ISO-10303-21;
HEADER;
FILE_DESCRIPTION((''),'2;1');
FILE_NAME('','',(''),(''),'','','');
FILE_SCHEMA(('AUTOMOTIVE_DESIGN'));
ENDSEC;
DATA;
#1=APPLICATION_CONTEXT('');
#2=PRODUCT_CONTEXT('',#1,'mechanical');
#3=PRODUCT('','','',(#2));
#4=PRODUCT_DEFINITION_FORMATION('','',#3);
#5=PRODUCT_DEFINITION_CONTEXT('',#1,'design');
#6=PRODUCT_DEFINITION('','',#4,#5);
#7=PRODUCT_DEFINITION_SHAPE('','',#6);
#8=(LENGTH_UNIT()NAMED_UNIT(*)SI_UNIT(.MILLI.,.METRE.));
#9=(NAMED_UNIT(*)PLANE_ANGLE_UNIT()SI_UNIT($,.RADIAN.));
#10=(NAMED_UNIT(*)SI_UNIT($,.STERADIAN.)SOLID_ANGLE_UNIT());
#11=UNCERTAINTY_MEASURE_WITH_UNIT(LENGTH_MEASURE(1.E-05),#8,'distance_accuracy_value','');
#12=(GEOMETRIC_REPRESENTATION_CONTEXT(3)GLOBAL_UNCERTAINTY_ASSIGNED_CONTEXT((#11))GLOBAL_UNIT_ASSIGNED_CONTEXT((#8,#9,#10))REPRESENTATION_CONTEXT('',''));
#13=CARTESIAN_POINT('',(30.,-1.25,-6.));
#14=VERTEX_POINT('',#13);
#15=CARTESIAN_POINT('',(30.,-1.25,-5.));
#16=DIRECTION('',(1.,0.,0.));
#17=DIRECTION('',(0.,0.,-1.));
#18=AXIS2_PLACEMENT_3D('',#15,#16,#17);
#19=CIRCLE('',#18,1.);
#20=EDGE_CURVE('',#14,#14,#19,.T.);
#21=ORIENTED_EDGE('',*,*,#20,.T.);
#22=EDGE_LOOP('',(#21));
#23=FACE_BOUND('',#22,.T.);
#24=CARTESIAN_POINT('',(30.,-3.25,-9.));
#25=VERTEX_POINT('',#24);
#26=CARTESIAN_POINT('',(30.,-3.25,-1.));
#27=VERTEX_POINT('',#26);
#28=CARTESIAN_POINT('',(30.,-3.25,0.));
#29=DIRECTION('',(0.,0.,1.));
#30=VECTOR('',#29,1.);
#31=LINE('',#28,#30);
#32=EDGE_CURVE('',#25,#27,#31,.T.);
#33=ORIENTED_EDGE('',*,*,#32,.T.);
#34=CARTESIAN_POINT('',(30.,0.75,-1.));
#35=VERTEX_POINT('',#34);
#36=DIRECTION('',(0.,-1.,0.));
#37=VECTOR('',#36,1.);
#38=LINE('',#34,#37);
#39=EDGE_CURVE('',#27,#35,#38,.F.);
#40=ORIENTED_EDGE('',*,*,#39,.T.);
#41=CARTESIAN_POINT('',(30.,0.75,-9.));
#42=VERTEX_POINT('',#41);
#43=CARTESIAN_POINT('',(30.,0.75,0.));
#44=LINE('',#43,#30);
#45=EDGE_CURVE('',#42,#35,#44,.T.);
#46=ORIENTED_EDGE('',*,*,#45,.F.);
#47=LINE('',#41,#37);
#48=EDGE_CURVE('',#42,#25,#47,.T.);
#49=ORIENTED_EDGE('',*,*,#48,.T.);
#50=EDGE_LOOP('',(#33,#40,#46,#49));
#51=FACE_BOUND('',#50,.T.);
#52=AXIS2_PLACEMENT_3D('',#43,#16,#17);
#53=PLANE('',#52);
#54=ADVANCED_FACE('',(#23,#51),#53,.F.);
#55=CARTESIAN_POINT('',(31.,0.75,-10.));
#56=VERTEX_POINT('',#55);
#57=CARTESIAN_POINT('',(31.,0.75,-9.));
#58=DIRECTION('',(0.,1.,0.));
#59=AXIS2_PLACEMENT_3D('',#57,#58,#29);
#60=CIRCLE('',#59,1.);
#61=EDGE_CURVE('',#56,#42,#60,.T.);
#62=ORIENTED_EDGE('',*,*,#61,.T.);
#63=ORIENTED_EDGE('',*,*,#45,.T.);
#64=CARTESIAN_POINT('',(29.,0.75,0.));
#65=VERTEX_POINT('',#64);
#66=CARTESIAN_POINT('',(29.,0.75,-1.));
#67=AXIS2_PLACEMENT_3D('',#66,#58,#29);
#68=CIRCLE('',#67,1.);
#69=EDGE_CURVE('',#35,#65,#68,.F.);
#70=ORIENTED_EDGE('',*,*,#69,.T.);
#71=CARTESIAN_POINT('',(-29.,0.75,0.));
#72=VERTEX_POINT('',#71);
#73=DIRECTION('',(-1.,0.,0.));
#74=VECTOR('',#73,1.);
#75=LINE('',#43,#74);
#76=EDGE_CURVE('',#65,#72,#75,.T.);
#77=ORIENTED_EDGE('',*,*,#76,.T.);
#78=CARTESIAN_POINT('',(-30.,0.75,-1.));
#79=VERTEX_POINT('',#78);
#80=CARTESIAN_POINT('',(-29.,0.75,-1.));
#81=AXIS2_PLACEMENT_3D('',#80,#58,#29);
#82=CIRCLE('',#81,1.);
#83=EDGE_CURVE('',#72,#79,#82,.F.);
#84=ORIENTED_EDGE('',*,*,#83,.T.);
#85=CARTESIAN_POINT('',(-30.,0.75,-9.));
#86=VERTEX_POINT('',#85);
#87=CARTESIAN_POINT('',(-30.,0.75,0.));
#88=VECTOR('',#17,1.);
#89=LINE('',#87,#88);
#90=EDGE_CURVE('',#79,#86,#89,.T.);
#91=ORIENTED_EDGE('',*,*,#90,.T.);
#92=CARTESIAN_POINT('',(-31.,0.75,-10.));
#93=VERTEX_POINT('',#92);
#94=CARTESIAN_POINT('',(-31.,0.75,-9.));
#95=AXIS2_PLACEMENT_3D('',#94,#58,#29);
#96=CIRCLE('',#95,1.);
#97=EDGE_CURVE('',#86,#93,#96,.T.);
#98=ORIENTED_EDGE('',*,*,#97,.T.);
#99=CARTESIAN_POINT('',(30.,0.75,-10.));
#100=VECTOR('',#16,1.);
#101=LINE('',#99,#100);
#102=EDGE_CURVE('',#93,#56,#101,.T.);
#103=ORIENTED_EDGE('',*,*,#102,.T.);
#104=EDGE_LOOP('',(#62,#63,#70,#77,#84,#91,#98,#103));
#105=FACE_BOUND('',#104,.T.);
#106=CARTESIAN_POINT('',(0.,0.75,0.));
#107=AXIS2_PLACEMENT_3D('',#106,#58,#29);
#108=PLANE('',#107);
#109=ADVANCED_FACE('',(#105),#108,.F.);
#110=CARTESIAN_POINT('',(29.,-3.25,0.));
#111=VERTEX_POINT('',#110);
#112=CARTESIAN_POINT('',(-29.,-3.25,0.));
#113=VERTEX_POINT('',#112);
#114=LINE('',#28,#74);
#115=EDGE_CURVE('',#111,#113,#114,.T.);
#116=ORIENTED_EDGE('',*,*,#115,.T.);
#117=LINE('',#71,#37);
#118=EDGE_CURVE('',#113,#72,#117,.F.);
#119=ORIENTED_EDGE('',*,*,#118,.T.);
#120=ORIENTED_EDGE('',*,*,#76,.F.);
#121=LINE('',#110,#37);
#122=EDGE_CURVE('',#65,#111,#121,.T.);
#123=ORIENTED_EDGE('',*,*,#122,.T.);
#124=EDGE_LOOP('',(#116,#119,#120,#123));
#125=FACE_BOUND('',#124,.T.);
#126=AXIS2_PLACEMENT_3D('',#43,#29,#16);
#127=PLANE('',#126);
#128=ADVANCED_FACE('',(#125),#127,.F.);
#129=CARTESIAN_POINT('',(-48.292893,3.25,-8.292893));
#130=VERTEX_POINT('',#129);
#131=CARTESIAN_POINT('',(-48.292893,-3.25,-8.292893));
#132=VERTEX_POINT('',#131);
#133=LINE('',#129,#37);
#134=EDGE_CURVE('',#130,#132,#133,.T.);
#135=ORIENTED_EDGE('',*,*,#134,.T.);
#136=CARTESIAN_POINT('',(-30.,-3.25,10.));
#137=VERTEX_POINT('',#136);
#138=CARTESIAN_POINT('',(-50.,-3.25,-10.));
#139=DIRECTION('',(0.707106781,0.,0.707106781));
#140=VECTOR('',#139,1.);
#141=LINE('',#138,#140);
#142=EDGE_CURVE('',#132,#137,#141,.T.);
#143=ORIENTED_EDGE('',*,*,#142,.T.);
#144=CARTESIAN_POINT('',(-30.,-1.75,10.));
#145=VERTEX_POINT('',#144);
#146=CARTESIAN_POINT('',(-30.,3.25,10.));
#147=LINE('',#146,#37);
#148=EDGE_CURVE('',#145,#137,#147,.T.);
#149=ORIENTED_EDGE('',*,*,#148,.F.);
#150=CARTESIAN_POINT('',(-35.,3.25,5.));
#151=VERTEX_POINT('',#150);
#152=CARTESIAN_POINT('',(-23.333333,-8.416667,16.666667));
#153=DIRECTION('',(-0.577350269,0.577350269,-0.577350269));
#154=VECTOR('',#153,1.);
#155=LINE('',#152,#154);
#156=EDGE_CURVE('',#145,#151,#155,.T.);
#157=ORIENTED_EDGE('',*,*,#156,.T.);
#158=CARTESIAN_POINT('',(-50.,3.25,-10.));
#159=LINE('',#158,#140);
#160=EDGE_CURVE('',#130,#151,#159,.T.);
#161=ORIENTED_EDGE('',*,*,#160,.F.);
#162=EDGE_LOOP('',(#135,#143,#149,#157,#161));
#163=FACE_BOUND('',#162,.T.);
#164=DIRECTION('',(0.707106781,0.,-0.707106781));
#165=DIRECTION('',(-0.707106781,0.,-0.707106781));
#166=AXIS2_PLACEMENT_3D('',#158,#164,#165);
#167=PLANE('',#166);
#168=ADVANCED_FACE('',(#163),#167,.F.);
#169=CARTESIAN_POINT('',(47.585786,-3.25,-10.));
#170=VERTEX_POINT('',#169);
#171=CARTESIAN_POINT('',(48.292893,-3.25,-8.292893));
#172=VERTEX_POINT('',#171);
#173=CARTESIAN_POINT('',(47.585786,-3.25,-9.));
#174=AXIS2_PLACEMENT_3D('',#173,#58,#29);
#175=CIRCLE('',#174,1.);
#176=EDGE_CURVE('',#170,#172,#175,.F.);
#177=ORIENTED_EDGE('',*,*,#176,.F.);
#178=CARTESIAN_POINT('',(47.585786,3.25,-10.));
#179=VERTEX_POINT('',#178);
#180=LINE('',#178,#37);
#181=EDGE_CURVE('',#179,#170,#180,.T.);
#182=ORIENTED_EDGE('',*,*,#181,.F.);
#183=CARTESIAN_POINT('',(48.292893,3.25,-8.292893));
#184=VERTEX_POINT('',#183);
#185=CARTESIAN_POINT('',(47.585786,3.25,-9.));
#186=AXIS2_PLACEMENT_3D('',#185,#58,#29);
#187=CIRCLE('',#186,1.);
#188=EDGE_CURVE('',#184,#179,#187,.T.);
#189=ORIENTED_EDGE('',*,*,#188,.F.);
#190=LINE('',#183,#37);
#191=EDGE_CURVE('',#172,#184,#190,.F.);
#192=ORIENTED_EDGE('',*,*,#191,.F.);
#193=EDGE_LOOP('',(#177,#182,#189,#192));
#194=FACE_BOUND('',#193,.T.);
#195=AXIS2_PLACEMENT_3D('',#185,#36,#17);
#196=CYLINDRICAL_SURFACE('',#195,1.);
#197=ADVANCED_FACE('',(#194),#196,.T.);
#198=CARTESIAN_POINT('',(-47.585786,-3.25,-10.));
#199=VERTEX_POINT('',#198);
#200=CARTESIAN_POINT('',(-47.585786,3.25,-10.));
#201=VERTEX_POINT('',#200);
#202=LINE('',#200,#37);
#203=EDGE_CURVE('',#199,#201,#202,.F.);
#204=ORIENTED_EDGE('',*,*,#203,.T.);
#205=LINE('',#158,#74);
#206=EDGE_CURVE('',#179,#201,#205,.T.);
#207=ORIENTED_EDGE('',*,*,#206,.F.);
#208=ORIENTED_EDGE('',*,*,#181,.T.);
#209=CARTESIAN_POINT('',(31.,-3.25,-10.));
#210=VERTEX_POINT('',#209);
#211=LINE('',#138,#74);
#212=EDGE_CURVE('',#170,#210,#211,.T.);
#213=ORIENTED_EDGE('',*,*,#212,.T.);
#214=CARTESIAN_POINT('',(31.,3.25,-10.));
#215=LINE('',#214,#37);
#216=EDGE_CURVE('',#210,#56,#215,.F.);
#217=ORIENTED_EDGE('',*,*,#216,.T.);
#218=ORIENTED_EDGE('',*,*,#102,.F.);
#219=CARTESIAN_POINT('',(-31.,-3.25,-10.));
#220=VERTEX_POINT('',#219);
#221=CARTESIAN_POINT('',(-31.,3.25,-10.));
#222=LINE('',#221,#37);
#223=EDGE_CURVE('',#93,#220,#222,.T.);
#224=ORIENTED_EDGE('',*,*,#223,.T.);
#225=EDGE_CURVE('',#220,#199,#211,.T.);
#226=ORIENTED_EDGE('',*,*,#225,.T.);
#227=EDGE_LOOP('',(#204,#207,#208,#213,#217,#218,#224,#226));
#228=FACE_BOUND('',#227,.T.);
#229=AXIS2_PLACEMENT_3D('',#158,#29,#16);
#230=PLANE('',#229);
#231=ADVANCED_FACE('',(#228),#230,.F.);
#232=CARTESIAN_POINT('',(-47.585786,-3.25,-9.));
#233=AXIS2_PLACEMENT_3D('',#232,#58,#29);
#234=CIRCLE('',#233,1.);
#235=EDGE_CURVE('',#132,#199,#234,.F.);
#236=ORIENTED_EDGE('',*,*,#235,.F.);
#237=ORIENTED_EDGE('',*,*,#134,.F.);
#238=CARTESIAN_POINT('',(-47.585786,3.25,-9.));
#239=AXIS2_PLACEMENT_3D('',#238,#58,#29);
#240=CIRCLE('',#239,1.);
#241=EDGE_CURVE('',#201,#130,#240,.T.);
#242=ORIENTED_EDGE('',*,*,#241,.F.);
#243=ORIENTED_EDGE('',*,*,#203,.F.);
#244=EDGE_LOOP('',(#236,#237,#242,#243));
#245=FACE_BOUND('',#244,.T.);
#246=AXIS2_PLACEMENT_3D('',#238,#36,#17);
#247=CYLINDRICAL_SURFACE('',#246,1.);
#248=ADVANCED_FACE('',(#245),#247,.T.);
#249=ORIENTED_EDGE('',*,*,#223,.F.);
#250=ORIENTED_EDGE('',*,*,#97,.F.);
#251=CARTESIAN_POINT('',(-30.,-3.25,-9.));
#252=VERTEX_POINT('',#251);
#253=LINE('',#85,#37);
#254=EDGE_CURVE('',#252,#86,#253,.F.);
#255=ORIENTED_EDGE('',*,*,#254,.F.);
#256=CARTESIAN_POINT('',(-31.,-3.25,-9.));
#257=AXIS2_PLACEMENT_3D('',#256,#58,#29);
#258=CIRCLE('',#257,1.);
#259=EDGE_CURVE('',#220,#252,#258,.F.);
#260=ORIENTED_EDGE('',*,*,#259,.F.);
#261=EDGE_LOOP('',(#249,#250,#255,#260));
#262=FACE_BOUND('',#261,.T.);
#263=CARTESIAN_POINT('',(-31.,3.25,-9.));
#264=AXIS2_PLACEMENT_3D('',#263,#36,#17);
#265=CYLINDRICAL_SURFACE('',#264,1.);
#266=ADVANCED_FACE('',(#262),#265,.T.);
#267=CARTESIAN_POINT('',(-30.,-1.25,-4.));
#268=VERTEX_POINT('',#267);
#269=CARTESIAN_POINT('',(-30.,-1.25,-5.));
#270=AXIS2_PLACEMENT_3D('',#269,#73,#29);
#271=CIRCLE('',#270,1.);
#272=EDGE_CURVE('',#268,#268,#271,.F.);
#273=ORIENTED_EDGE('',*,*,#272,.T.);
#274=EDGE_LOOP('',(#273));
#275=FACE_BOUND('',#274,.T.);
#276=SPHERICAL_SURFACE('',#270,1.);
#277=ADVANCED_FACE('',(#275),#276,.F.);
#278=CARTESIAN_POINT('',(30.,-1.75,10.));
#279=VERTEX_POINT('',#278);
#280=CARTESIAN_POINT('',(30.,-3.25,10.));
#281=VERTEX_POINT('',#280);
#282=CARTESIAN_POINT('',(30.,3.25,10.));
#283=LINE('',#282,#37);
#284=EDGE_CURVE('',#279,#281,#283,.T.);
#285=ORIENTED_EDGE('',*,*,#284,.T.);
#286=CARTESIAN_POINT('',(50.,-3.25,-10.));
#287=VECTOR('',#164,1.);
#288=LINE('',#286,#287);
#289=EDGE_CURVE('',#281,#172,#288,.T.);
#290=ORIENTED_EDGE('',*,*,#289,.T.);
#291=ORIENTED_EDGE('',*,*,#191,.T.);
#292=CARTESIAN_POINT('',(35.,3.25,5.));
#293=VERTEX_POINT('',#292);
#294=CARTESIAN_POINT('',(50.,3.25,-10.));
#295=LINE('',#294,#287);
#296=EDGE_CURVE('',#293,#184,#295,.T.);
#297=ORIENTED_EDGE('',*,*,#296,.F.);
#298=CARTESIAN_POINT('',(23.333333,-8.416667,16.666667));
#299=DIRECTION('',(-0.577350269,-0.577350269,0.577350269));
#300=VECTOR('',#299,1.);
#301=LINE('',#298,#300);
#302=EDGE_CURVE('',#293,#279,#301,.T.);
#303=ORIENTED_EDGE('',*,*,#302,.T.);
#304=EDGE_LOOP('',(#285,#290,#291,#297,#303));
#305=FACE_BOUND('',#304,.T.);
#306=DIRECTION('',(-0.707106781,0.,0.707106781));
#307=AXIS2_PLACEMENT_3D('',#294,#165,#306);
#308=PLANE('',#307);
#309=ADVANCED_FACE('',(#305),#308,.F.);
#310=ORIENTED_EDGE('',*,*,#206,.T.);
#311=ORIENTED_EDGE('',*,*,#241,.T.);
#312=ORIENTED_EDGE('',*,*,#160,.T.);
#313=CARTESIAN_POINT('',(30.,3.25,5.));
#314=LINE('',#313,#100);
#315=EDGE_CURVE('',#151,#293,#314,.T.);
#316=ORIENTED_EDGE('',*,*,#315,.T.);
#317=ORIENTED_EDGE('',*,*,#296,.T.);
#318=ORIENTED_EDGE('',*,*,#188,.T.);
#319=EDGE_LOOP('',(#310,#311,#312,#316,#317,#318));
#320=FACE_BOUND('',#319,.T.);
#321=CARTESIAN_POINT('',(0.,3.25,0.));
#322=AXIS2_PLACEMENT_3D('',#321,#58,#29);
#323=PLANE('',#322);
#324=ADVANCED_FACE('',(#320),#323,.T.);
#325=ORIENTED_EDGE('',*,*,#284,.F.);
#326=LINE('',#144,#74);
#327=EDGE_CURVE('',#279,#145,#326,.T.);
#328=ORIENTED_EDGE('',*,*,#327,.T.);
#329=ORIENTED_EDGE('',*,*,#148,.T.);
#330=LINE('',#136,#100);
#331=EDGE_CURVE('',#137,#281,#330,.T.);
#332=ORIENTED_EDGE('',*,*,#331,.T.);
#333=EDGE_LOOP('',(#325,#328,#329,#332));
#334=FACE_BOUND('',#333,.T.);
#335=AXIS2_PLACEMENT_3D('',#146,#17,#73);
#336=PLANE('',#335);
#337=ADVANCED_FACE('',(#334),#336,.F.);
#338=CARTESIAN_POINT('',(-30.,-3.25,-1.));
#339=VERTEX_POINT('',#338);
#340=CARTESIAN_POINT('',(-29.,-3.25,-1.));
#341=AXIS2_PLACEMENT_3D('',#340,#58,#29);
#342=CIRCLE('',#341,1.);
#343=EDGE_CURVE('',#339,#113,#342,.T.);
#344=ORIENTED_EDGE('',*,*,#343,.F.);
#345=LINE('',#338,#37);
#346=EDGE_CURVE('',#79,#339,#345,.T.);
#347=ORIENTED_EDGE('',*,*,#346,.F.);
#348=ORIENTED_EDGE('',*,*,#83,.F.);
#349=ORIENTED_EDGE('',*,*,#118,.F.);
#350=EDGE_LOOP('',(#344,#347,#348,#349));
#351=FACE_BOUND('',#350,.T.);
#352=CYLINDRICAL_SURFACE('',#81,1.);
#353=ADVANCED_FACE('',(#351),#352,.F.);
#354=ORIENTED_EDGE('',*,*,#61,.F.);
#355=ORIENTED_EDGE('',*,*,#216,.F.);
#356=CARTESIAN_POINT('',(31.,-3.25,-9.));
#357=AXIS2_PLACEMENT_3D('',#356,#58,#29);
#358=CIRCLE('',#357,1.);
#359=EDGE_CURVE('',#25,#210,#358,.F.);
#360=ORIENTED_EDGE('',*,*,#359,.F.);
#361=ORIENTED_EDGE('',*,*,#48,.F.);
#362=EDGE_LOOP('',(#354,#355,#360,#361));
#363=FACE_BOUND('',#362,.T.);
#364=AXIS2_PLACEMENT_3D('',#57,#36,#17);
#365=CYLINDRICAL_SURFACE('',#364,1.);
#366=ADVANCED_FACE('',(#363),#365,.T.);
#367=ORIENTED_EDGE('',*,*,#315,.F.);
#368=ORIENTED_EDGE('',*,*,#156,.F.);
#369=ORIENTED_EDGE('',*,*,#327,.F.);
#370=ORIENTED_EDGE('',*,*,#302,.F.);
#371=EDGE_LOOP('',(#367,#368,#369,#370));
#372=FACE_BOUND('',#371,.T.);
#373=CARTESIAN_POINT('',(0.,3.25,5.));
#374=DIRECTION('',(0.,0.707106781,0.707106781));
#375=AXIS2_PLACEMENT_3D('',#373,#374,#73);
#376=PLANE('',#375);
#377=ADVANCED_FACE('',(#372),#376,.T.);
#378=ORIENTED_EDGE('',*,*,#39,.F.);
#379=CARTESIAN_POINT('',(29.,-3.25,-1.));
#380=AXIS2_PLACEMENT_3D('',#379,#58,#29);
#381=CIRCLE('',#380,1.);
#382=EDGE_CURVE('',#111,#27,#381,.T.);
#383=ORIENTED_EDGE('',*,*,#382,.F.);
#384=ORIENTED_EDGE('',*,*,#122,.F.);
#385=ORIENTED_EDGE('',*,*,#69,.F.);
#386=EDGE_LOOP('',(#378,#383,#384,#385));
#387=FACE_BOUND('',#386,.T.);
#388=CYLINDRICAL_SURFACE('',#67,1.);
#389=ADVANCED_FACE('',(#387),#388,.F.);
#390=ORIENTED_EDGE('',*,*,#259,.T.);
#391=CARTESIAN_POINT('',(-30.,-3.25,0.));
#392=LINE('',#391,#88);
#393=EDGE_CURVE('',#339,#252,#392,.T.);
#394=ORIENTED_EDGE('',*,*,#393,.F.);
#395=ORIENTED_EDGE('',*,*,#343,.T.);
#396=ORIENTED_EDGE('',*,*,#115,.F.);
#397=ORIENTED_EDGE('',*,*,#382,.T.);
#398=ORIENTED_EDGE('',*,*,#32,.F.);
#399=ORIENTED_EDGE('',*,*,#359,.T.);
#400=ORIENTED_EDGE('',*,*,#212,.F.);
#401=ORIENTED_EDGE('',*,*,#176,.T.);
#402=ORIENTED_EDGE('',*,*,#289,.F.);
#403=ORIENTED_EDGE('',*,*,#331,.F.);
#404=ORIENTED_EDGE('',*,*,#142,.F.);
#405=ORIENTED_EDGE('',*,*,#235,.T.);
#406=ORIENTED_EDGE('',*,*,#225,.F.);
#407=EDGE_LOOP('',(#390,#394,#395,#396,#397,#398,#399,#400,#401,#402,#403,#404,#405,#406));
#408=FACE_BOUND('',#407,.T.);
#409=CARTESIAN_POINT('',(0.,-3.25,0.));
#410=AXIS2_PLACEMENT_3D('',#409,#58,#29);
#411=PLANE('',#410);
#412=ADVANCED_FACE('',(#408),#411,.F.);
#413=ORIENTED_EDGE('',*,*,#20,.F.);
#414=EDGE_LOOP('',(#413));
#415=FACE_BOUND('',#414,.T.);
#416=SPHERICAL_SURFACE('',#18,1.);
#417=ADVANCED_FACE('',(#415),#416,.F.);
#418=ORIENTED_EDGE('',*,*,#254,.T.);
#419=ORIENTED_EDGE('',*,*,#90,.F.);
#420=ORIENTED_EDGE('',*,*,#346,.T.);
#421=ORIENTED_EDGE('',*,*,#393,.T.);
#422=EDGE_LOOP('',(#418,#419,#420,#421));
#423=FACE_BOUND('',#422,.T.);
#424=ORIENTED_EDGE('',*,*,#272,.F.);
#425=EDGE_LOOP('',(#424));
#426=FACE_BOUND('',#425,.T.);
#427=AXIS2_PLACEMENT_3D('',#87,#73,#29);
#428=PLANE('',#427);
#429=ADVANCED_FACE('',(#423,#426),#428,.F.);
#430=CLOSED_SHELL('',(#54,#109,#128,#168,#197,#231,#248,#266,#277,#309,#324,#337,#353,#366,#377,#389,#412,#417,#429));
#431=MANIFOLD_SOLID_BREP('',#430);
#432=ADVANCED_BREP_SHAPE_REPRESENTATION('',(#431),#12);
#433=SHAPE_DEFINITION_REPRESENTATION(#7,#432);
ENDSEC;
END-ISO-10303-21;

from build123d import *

# Parameters (mm, degrees)
BOSS_EXTRUDE1_DEPTH = 3.25
SKETCH2_W           = 60
SKETCH2_H           = 10
CUT_EXTRUDE1_DEPTH  = 4
CHAMFER1_SIZE       = 5
FILLET1_R           = 1


with BuildPart() as part:
    # Sketch1 → Boss-Extrude1 (new, symmetric)
    with BuildSketch(Plane(origin=(0, 0, 0), x_dir=(1, 0, 0), z_dir=(0, 1, 0))):
        Polygon((-50, 10), (-30, -10), (30, -10), (50, 10), align=None)
    extrude(amount=BOSS_EXTRUDE1_DEPTH, both=True)

    # Sketch2 → Cut-Extrude1 (cut)
    with BuildSketch(Plane.XZ.offset(3.25)):
        with Locations((0, -5)):
            Rectangle(SKETCH2_W, SKETCH2_H)
    extrude(amount=-CUT_EXTRUDE1_DEPTH, mode=Mode.SUBTRACT)

    # Sketch3 → Cut-Revolve1 (revolve, cut)
    with BuildSketch(Plane(origin=(-30, 0, 0), x_dir=(0, 0, -1), z_dir=(1, 0, 0))):
        with BuildLine():
            Line((5, -0.25), (5, -2.25))
            ThreePointArc((5, -2.25), (6, -1.25), (5, -0.25))
        make_face()
    revolve(axis=Axis((-30, -0.25, -5), (0, -1, 0)), mode=Mode.SUBTRACT)

    # Sketch4 → Cut-Revolve2 (revolve, cut)
    with BuildSketch(Plane.ZY.offset(-30)):
        with BuildLine():
            Line((-5, -0.25), (-5, -2.25))
            ThreePointArc((-5, -2.25), (-6, -1.25), (-5, -0.25))
        make_face()
    revolve(axis=Axis((30, 0.75, -5), (0, -1, 0)), mode=Mode.SUBTRACT)

    # Chamfer1
    chamfer1_edges = [part.edges().sort_by_distance(p)[0] for p in [
        (0, 3.25, 10),
    ]]
    chamfer(chamfer1_edges, length=CHAMFER1_SIZE)

    # Fillet1
    fillet1_edges = [part.edges().sort_by_distance(p)[0] for p in [
        (-30, -1.25, -10),
        (-30, -1.25, 0),
        (30, -1.25, 0),
        (30, -1.25, -10),
        (-50, 0, -10),
        (50, 0, -10),
    ]]
    fillet(fillet1_edges, radius=FILLET1_R)


solid = part.part
